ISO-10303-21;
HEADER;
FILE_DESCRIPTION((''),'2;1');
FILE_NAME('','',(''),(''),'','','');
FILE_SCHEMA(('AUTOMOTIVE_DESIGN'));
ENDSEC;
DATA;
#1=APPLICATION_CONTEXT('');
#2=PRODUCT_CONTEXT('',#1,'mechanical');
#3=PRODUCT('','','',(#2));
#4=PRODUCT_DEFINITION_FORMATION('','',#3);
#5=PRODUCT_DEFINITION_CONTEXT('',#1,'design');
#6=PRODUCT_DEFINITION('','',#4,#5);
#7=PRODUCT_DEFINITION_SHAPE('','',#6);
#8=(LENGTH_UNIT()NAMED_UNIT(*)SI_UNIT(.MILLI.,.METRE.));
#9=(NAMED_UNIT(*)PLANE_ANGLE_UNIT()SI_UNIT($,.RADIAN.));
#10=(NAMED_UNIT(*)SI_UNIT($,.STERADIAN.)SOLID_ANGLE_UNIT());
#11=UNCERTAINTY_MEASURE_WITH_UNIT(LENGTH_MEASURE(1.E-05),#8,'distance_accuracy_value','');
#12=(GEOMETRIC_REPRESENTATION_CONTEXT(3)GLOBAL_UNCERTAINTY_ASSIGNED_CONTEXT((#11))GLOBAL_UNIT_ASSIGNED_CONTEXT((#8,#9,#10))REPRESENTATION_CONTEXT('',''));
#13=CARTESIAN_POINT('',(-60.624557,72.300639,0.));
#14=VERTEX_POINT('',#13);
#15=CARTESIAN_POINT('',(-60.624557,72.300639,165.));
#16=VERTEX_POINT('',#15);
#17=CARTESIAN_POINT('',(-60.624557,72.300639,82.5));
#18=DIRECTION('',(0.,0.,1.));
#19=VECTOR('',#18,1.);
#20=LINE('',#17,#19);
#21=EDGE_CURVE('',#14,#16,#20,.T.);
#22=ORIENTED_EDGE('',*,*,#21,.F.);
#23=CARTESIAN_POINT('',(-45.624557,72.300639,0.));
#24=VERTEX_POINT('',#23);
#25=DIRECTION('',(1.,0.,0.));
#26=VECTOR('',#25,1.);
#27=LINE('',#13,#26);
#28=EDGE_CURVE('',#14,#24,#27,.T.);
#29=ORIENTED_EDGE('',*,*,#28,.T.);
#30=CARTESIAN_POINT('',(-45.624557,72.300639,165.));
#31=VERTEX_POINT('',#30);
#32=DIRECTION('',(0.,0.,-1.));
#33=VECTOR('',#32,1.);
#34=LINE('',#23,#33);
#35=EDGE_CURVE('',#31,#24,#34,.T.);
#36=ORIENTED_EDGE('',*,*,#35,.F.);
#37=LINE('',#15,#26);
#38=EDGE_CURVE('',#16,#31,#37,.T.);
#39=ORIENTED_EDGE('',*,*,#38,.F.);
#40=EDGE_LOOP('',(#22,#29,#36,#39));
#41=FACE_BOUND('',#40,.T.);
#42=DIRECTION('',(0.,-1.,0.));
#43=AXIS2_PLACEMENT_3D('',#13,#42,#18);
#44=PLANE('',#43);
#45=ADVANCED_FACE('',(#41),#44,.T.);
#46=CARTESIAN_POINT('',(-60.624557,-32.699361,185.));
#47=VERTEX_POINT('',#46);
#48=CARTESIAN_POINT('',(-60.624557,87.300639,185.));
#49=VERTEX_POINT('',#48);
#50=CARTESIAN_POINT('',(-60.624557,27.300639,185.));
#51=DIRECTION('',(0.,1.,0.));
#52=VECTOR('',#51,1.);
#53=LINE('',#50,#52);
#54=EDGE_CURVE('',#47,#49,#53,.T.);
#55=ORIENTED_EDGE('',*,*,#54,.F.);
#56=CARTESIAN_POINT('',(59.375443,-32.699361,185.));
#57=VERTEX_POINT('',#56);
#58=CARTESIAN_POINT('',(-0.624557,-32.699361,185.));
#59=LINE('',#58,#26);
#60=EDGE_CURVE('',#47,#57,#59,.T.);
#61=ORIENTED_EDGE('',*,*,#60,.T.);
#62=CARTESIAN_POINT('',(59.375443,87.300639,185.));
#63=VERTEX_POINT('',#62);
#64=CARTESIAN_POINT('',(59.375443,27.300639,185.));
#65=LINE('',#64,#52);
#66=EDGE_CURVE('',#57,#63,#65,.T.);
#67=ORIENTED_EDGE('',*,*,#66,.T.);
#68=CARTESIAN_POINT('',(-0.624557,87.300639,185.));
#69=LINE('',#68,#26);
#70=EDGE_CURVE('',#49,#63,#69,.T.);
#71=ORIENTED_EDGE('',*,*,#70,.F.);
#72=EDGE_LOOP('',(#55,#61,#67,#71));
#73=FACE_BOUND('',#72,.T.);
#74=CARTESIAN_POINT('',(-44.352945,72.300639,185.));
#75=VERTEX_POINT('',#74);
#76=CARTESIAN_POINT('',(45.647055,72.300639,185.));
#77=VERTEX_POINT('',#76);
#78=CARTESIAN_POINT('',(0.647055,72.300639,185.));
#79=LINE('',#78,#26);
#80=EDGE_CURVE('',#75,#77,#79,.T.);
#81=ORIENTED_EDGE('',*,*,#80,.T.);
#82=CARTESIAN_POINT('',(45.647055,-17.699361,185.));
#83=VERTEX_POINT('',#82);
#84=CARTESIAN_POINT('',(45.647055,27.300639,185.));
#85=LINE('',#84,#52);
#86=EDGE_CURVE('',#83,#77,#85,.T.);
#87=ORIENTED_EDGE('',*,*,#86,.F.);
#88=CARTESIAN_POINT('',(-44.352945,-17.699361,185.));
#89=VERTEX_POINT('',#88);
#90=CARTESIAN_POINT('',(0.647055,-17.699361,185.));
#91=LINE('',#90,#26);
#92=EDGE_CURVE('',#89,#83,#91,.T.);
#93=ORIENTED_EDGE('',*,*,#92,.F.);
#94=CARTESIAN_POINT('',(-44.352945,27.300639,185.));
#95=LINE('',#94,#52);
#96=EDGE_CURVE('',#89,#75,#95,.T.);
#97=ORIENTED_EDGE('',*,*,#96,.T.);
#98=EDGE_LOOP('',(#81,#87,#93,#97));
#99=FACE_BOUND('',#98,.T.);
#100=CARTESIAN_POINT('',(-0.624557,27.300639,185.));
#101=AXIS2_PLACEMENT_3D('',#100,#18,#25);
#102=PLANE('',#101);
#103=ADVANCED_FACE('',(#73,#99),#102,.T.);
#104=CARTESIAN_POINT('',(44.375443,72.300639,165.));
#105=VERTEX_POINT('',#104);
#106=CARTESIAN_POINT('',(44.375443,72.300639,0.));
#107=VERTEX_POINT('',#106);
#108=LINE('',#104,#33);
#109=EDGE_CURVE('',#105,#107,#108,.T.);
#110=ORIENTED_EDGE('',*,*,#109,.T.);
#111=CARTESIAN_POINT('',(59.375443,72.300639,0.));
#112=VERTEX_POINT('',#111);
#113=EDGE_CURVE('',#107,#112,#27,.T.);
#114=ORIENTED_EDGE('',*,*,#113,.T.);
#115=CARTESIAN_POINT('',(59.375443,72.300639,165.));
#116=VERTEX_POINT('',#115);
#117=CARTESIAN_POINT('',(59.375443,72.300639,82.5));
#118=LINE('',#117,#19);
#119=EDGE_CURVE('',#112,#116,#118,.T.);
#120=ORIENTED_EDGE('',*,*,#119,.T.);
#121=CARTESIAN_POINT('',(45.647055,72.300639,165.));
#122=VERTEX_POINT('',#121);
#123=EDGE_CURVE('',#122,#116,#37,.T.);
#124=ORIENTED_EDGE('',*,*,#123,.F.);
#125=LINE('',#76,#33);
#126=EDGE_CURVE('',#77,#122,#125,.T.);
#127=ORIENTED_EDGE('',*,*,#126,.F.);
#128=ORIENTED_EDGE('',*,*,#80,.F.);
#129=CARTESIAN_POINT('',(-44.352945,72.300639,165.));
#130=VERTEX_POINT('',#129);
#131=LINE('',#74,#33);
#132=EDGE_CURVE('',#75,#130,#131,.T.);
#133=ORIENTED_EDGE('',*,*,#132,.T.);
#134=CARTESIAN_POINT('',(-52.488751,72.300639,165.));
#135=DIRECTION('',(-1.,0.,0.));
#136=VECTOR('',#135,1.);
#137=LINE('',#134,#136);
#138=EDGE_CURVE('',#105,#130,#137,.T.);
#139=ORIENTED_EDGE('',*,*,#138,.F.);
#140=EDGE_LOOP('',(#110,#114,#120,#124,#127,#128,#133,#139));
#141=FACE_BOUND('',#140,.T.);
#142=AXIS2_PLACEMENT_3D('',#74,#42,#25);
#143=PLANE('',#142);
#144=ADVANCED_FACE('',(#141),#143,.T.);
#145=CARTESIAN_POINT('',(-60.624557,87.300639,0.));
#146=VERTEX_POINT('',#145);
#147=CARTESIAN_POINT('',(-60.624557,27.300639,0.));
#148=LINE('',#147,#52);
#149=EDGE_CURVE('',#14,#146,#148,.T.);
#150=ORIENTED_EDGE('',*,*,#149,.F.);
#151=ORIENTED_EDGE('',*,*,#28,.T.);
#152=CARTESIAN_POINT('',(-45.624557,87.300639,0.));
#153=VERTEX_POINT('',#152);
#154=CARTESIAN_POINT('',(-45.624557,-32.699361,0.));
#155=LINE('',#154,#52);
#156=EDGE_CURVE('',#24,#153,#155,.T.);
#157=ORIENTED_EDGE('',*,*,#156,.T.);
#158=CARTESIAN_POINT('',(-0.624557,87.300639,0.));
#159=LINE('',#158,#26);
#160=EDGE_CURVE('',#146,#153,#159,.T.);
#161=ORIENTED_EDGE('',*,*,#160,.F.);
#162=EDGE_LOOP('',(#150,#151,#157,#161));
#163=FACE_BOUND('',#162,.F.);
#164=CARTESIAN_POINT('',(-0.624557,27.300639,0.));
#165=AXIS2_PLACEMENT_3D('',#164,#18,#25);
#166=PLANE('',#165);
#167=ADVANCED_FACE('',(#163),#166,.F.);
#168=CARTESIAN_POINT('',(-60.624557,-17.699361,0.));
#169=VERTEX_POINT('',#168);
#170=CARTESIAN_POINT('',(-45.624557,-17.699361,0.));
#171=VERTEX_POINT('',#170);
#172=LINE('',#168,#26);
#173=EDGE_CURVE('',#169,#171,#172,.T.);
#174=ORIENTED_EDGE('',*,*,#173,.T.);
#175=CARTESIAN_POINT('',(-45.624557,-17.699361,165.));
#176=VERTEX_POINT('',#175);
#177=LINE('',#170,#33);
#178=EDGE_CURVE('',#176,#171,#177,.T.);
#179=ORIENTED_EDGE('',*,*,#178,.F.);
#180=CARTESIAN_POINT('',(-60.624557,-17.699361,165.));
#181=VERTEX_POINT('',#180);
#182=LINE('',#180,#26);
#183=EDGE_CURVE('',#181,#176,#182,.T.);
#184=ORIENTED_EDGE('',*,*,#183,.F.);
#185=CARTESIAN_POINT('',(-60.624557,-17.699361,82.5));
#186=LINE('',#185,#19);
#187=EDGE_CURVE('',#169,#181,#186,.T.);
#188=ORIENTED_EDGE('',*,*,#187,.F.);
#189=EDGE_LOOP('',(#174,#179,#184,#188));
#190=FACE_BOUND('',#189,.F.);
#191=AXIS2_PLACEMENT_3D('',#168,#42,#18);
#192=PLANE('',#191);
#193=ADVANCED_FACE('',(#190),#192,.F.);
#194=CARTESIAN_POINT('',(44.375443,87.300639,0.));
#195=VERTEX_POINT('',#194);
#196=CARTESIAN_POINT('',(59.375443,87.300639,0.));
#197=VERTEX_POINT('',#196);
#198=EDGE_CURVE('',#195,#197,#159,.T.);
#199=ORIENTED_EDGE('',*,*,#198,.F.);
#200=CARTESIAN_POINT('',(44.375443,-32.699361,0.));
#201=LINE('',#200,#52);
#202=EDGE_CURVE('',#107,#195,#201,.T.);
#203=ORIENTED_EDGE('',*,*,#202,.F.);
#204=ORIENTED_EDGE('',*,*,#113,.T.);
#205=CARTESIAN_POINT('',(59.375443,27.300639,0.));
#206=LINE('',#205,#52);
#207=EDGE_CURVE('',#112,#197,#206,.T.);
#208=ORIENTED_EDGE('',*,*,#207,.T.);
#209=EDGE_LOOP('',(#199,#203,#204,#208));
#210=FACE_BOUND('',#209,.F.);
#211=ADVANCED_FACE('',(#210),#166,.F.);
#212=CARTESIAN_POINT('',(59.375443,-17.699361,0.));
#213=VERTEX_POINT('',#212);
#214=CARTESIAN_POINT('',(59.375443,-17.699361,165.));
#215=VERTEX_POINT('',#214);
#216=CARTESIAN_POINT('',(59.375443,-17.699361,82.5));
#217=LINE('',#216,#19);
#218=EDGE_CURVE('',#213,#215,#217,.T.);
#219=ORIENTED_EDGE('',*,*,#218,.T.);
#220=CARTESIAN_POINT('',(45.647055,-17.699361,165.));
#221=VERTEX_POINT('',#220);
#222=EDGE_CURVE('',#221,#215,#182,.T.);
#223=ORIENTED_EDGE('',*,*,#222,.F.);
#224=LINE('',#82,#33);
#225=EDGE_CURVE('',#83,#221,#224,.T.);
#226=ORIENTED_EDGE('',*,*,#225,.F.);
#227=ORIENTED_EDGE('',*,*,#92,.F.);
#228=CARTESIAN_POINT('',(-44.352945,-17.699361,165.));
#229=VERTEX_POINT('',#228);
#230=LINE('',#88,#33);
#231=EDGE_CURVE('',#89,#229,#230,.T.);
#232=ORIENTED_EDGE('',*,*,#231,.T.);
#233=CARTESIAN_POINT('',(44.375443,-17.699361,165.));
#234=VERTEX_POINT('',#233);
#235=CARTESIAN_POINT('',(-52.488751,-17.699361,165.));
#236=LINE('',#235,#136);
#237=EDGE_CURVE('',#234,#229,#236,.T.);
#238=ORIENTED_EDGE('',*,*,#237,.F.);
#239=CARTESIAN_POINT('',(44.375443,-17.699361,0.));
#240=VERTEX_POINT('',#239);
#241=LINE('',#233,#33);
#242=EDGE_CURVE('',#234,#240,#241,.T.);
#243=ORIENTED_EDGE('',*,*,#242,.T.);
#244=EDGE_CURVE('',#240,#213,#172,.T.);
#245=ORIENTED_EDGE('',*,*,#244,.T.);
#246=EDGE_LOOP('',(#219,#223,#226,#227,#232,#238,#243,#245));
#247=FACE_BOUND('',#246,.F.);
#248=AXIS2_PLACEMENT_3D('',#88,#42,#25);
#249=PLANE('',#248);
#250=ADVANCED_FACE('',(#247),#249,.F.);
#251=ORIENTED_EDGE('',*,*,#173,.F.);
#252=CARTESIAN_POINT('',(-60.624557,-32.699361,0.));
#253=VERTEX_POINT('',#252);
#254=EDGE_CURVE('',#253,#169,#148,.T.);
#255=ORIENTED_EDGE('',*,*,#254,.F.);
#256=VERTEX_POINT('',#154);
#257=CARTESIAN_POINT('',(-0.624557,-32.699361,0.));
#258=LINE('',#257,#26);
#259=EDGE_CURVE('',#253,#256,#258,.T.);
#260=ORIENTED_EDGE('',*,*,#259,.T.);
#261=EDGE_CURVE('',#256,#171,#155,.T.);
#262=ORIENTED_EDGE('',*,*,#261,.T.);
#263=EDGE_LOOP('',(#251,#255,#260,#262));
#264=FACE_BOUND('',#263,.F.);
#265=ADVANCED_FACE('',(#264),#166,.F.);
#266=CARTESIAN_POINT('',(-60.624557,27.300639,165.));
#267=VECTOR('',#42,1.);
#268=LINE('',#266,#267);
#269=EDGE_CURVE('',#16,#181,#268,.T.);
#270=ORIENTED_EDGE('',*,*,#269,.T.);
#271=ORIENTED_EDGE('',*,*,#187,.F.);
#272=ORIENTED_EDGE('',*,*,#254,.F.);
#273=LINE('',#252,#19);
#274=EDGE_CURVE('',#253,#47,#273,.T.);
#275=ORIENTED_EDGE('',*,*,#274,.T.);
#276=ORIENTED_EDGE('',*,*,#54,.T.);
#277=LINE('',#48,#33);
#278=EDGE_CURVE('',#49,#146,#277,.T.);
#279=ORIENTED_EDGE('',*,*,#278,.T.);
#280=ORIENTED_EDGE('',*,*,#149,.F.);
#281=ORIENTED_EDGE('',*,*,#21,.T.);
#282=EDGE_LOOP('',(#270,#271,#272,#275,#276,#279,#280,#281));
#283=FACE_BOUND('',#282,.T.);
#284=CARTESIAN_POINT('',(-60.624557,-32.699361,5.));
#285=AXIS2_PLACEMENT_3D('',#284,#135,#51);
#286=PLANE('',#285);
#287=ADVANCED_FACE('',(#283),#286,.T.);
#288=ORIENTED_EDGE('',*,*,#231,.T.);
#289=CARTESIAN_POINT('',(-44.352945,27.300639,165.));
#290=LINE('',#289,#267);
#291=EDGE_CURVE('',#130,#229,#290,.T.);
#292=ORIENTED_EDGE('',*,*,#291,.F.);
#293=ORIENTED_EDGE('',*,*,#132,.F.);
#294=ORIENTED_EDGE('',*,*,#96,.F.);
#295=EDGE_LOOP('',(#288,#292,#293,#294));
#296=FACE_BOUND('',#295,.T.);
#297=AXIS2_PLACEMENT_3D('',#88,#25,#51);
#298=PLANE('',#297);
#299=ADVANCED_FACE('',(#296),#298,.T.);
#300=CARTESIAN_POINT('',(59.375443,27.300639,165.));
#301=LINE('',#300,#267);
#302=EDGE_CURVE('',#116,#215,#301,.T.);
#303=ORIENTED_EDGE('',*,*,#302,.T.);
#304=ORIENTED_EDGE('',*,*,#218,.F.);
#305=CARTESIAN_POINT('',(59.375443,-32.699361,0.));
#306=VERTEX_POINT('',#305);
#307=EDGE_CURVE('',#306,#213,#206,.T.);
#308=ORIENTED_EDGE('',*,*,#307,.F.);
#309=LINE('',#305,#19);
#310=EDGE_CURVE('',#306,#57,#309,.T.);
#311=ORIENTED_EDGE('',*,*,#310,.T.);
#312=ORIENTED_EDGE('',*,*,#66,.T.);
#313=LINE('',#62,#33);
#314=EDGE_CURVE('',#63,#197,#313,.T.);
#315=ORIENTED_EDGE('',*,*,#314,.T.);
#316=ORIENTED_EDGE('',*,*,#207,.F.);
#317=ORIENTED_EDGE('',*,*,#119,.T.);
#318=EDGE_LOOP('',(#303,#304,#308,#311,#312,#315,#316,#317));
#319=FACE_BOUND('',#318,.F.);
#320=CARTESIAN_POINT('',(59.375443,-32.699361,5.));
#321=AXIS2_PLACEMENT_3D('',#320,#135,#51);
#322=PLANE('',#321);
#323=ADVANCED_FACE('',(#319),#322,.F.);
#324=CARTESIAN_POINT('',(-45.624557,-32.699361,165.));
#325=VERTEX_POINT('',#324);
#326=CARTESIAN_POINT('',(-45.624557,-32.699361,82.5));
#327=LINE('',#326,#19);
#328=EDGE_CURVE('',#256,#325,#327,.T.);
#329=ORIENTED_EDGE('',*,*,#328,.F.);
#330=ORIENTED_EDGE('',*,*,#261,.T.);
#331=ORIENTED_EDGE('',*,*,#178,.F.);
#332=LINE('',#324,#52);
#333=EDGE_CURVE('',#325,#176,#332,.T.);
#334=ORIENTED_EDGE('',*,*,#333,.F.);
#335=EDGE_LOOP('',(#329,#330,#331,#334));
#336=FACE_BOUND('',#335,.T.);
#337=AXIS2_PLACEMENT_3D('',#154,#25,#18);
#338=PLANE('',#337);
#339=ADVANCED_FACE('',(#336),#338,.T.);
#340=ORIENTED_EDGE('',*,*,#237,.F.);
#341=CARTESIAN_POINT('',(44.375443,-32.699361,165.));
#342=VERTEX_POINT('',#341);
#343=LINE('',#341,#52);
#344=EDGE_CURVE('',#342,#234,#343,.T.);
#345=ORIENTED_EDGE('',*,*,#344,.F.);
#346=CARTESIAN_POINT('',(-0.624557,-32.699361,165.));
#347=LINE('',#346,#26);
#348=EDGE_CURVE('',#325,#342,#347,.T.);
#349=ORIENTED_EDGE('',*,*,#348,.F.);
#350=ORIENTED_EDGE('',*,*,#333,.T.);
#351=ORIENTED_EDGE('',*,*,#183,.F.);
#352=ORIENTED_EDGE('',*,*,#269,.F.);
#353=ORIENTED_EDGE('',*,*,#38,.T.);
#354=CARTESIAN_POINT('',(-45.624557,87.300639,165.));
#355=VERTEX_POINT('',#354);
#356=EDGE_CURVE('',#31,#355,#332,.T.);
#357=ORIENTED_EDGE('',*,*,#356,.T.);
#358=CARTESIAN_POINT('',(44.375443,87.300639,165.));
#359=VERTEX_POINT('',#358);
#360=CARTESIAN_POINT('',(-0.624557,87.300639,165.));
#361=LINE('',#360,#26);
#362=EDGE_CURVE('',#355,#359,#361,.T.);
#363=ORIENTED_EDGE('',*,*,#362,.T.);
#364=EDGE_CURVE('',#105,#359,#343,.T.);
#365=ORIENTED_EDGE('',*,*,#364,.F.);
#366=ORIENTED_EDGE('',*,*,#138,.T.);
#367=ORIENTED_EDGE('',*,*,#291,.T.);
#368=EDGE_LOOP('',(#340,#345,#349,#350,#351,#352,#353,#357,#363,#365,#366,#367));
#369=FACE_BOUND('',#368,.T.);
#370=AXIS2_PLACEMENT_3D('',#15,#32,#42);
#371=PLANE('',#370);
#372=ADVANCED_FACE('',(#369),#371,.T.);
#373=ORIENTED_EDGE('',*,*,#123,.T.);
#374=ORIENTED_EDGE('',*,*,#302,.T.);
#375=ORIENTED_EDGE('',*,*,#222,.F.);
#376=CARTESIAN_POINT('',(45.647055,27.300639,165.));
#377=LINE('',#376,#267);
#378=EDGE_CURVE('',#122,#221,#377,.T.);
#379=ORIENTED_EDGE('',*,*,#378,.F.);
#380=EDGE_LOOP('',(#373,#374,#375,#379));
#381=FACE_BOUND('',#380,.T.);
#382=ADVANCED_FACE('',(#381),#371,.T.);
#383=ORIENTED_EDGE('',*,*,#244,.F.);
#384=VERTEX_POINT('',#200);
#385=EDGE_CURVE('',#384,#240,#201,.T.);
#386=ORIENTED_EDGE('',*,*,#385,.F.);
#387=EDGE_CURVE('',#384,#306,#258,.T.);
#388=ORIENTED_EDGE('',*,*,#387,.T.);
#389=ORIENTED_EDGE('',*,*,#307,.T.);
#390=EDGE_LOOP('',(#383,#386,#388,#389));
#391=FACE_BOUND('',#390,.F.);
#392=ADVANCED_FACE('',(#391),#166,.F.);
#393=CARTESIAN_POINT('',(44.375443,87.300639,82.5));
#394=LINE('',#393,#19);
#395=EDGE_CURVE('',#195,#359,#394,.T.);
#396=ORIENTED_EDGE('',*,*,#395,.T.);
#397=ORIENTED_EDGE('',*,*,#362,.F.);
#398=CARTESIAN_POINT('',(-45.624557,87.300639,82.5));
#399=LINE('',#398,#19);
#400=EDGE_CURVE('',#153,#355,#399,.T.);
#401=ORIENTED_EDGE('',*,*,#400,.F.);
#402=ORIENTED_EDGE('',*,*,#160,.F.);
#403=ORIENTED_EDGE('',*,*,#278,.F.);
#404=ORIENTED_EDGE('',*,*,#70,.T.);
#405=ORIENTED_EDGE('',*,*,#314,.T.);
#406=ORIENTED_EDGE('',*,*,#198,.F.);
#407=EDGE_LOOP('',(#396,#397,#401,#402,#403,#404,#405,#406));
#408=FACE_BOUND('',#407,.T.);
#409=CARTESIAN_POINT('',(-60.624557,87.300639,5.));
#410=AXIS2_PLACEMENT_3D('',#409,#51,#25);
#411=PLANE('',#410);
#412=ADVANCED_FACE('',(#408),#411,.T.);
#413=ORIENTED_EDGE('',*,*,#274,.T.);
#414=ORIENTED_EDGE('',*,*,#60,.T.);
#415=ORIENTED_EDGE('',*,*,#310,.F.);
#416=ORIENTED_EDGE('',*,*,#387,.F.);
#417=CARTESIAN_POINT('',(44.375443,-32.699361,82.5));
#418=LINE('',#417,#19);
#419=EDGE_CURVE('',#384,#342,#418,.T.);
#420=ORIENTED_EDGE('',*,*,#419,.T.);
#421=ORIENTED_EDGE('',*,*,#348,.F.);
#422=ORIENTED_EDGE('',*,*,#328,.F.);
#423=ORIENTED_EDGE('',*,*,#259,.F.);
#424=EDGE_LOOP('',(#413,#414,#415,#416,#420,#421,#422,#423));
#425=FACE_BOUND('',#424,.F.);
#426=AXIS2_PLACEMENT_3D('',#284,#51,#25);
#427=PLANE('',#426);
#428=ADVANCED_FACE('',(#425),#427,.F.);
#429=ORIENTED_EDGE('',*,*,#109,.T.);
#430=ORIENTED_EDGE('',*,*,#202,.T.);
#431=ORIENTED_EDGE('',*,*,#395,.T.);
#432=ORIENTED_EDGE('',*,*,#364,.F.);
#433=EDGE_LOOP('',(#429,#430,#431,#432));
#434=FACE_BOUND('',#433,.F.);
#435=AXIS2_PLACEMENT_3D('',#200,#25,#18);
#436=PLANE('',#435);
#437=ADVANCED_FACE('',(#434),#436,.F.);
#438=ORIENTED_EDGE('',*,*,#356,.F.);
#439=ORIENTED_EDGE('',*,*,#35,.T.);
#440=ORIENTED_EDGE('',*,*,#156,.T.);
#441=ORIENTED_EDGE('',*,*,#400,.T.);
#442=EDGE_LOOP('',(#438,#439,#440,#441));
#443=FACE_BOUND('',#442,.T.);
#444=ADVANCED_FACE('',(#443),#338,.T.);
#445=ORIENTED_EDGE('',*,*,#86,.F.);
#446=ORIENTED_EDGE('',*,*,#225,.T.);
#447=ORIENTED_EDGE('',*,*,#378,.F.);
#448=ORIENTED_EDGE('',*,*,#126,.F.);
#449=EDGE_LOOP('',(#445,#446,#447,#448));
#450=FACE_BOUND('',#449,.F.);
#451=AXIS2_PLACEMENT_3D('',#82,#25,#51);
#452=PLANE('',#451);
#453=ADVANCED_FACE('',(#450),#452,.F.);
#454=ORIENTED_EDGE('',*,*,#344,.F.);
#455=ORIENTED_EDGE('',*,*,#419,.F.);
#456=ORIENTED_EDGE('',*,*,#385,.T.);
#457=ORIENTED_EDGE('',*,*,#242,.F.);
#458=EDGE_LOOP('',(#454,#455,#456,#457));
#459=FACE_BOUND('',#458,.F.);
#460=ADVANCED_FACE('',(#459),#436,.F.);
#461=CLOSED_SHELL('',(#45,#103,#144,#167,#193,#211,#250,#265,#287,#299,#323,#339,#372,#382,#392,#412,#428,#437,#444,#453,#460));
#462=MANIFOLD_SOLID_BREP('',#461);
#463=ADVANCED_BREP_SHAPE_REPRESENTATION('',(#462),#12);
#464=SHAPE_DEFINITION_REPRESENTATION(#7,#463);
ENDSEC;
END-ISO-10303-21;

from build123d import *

# Parameters (mm, degrees)
F0_W      = 120
F0_H      = 120
F1_DEPTH  = 5
F2_R      = 12.5
F3_DEPTH  = 25
F4_W      = 120
F4_H      = 120
F5_DEPTH  = 180
F6_W      = 90
F6_H      = 165
F7_DEPTH  = 120
F8_W      = 90
F8_H      = 165
F9_DEPTH  = 120
F10_W     = 90
F10_H     = 90
F11_DEPTH = 25


with BuildPart() as f1:
    # F0 (on Top) → F1 (new body)
    with BuildSketch(Plane.XY):
        with Locations((-0.624557, 27.300639)):
            Rectangle(F0_W, F0_H)
    extrude(amount=F1_DEPTH)

    # F2 (on face) → F3 (cut)
    with BuildSketch(Plane.XY.offset(5)):
        with Locations((-0.624557, 27.300639)):
            Circle(F2_R)
    extrude(amount=-F3_DEPTH, mode=Mode.SUBTRACT)

    # F4 (on face) → F5 (join)
    with BuildSketch(Plane.XY.offset(5)):
        with Locations((-0.624557, 27.300639)):
            Rectangle(F4_W, F4_H)
    extrude(amount=F5_DEPTH)

    # F6 (on face) → F7 (cut)
    with BuildSketch(Plane.XZ.offset(32.699361)):
        with Locations((-0.624557, 82.5)):
            Rectangle(F6_W, F6_H)
    extrude(amount=-F7_DEPTH, mode=Mode.SUBTRACT)

    # F8 (on face) → F9 (cut)
    with BuildSketch(Plane(origin=(-60.624557, 0, 0), x_dir=(0, -1, 0), z_dir=(-1, 0, 0))):
        with Locations((-27.300639, 82.5)):
            Rectangle(F8_W, F8_H)
    extrude(amount=-F9_DEPTH, mode=Mode.SUBTRACT)

    # F10 (on face) → F11 (cut)
    with BuildSketch(Plane.XY.offset(185)):
        with Locations((0.647055, 27.300639)):
            Rectangle(F10_W, F10_H)
    extrude(amount=-F11_DEPTH, mode=Mode.SUBTRACT)


solid = f1.part
